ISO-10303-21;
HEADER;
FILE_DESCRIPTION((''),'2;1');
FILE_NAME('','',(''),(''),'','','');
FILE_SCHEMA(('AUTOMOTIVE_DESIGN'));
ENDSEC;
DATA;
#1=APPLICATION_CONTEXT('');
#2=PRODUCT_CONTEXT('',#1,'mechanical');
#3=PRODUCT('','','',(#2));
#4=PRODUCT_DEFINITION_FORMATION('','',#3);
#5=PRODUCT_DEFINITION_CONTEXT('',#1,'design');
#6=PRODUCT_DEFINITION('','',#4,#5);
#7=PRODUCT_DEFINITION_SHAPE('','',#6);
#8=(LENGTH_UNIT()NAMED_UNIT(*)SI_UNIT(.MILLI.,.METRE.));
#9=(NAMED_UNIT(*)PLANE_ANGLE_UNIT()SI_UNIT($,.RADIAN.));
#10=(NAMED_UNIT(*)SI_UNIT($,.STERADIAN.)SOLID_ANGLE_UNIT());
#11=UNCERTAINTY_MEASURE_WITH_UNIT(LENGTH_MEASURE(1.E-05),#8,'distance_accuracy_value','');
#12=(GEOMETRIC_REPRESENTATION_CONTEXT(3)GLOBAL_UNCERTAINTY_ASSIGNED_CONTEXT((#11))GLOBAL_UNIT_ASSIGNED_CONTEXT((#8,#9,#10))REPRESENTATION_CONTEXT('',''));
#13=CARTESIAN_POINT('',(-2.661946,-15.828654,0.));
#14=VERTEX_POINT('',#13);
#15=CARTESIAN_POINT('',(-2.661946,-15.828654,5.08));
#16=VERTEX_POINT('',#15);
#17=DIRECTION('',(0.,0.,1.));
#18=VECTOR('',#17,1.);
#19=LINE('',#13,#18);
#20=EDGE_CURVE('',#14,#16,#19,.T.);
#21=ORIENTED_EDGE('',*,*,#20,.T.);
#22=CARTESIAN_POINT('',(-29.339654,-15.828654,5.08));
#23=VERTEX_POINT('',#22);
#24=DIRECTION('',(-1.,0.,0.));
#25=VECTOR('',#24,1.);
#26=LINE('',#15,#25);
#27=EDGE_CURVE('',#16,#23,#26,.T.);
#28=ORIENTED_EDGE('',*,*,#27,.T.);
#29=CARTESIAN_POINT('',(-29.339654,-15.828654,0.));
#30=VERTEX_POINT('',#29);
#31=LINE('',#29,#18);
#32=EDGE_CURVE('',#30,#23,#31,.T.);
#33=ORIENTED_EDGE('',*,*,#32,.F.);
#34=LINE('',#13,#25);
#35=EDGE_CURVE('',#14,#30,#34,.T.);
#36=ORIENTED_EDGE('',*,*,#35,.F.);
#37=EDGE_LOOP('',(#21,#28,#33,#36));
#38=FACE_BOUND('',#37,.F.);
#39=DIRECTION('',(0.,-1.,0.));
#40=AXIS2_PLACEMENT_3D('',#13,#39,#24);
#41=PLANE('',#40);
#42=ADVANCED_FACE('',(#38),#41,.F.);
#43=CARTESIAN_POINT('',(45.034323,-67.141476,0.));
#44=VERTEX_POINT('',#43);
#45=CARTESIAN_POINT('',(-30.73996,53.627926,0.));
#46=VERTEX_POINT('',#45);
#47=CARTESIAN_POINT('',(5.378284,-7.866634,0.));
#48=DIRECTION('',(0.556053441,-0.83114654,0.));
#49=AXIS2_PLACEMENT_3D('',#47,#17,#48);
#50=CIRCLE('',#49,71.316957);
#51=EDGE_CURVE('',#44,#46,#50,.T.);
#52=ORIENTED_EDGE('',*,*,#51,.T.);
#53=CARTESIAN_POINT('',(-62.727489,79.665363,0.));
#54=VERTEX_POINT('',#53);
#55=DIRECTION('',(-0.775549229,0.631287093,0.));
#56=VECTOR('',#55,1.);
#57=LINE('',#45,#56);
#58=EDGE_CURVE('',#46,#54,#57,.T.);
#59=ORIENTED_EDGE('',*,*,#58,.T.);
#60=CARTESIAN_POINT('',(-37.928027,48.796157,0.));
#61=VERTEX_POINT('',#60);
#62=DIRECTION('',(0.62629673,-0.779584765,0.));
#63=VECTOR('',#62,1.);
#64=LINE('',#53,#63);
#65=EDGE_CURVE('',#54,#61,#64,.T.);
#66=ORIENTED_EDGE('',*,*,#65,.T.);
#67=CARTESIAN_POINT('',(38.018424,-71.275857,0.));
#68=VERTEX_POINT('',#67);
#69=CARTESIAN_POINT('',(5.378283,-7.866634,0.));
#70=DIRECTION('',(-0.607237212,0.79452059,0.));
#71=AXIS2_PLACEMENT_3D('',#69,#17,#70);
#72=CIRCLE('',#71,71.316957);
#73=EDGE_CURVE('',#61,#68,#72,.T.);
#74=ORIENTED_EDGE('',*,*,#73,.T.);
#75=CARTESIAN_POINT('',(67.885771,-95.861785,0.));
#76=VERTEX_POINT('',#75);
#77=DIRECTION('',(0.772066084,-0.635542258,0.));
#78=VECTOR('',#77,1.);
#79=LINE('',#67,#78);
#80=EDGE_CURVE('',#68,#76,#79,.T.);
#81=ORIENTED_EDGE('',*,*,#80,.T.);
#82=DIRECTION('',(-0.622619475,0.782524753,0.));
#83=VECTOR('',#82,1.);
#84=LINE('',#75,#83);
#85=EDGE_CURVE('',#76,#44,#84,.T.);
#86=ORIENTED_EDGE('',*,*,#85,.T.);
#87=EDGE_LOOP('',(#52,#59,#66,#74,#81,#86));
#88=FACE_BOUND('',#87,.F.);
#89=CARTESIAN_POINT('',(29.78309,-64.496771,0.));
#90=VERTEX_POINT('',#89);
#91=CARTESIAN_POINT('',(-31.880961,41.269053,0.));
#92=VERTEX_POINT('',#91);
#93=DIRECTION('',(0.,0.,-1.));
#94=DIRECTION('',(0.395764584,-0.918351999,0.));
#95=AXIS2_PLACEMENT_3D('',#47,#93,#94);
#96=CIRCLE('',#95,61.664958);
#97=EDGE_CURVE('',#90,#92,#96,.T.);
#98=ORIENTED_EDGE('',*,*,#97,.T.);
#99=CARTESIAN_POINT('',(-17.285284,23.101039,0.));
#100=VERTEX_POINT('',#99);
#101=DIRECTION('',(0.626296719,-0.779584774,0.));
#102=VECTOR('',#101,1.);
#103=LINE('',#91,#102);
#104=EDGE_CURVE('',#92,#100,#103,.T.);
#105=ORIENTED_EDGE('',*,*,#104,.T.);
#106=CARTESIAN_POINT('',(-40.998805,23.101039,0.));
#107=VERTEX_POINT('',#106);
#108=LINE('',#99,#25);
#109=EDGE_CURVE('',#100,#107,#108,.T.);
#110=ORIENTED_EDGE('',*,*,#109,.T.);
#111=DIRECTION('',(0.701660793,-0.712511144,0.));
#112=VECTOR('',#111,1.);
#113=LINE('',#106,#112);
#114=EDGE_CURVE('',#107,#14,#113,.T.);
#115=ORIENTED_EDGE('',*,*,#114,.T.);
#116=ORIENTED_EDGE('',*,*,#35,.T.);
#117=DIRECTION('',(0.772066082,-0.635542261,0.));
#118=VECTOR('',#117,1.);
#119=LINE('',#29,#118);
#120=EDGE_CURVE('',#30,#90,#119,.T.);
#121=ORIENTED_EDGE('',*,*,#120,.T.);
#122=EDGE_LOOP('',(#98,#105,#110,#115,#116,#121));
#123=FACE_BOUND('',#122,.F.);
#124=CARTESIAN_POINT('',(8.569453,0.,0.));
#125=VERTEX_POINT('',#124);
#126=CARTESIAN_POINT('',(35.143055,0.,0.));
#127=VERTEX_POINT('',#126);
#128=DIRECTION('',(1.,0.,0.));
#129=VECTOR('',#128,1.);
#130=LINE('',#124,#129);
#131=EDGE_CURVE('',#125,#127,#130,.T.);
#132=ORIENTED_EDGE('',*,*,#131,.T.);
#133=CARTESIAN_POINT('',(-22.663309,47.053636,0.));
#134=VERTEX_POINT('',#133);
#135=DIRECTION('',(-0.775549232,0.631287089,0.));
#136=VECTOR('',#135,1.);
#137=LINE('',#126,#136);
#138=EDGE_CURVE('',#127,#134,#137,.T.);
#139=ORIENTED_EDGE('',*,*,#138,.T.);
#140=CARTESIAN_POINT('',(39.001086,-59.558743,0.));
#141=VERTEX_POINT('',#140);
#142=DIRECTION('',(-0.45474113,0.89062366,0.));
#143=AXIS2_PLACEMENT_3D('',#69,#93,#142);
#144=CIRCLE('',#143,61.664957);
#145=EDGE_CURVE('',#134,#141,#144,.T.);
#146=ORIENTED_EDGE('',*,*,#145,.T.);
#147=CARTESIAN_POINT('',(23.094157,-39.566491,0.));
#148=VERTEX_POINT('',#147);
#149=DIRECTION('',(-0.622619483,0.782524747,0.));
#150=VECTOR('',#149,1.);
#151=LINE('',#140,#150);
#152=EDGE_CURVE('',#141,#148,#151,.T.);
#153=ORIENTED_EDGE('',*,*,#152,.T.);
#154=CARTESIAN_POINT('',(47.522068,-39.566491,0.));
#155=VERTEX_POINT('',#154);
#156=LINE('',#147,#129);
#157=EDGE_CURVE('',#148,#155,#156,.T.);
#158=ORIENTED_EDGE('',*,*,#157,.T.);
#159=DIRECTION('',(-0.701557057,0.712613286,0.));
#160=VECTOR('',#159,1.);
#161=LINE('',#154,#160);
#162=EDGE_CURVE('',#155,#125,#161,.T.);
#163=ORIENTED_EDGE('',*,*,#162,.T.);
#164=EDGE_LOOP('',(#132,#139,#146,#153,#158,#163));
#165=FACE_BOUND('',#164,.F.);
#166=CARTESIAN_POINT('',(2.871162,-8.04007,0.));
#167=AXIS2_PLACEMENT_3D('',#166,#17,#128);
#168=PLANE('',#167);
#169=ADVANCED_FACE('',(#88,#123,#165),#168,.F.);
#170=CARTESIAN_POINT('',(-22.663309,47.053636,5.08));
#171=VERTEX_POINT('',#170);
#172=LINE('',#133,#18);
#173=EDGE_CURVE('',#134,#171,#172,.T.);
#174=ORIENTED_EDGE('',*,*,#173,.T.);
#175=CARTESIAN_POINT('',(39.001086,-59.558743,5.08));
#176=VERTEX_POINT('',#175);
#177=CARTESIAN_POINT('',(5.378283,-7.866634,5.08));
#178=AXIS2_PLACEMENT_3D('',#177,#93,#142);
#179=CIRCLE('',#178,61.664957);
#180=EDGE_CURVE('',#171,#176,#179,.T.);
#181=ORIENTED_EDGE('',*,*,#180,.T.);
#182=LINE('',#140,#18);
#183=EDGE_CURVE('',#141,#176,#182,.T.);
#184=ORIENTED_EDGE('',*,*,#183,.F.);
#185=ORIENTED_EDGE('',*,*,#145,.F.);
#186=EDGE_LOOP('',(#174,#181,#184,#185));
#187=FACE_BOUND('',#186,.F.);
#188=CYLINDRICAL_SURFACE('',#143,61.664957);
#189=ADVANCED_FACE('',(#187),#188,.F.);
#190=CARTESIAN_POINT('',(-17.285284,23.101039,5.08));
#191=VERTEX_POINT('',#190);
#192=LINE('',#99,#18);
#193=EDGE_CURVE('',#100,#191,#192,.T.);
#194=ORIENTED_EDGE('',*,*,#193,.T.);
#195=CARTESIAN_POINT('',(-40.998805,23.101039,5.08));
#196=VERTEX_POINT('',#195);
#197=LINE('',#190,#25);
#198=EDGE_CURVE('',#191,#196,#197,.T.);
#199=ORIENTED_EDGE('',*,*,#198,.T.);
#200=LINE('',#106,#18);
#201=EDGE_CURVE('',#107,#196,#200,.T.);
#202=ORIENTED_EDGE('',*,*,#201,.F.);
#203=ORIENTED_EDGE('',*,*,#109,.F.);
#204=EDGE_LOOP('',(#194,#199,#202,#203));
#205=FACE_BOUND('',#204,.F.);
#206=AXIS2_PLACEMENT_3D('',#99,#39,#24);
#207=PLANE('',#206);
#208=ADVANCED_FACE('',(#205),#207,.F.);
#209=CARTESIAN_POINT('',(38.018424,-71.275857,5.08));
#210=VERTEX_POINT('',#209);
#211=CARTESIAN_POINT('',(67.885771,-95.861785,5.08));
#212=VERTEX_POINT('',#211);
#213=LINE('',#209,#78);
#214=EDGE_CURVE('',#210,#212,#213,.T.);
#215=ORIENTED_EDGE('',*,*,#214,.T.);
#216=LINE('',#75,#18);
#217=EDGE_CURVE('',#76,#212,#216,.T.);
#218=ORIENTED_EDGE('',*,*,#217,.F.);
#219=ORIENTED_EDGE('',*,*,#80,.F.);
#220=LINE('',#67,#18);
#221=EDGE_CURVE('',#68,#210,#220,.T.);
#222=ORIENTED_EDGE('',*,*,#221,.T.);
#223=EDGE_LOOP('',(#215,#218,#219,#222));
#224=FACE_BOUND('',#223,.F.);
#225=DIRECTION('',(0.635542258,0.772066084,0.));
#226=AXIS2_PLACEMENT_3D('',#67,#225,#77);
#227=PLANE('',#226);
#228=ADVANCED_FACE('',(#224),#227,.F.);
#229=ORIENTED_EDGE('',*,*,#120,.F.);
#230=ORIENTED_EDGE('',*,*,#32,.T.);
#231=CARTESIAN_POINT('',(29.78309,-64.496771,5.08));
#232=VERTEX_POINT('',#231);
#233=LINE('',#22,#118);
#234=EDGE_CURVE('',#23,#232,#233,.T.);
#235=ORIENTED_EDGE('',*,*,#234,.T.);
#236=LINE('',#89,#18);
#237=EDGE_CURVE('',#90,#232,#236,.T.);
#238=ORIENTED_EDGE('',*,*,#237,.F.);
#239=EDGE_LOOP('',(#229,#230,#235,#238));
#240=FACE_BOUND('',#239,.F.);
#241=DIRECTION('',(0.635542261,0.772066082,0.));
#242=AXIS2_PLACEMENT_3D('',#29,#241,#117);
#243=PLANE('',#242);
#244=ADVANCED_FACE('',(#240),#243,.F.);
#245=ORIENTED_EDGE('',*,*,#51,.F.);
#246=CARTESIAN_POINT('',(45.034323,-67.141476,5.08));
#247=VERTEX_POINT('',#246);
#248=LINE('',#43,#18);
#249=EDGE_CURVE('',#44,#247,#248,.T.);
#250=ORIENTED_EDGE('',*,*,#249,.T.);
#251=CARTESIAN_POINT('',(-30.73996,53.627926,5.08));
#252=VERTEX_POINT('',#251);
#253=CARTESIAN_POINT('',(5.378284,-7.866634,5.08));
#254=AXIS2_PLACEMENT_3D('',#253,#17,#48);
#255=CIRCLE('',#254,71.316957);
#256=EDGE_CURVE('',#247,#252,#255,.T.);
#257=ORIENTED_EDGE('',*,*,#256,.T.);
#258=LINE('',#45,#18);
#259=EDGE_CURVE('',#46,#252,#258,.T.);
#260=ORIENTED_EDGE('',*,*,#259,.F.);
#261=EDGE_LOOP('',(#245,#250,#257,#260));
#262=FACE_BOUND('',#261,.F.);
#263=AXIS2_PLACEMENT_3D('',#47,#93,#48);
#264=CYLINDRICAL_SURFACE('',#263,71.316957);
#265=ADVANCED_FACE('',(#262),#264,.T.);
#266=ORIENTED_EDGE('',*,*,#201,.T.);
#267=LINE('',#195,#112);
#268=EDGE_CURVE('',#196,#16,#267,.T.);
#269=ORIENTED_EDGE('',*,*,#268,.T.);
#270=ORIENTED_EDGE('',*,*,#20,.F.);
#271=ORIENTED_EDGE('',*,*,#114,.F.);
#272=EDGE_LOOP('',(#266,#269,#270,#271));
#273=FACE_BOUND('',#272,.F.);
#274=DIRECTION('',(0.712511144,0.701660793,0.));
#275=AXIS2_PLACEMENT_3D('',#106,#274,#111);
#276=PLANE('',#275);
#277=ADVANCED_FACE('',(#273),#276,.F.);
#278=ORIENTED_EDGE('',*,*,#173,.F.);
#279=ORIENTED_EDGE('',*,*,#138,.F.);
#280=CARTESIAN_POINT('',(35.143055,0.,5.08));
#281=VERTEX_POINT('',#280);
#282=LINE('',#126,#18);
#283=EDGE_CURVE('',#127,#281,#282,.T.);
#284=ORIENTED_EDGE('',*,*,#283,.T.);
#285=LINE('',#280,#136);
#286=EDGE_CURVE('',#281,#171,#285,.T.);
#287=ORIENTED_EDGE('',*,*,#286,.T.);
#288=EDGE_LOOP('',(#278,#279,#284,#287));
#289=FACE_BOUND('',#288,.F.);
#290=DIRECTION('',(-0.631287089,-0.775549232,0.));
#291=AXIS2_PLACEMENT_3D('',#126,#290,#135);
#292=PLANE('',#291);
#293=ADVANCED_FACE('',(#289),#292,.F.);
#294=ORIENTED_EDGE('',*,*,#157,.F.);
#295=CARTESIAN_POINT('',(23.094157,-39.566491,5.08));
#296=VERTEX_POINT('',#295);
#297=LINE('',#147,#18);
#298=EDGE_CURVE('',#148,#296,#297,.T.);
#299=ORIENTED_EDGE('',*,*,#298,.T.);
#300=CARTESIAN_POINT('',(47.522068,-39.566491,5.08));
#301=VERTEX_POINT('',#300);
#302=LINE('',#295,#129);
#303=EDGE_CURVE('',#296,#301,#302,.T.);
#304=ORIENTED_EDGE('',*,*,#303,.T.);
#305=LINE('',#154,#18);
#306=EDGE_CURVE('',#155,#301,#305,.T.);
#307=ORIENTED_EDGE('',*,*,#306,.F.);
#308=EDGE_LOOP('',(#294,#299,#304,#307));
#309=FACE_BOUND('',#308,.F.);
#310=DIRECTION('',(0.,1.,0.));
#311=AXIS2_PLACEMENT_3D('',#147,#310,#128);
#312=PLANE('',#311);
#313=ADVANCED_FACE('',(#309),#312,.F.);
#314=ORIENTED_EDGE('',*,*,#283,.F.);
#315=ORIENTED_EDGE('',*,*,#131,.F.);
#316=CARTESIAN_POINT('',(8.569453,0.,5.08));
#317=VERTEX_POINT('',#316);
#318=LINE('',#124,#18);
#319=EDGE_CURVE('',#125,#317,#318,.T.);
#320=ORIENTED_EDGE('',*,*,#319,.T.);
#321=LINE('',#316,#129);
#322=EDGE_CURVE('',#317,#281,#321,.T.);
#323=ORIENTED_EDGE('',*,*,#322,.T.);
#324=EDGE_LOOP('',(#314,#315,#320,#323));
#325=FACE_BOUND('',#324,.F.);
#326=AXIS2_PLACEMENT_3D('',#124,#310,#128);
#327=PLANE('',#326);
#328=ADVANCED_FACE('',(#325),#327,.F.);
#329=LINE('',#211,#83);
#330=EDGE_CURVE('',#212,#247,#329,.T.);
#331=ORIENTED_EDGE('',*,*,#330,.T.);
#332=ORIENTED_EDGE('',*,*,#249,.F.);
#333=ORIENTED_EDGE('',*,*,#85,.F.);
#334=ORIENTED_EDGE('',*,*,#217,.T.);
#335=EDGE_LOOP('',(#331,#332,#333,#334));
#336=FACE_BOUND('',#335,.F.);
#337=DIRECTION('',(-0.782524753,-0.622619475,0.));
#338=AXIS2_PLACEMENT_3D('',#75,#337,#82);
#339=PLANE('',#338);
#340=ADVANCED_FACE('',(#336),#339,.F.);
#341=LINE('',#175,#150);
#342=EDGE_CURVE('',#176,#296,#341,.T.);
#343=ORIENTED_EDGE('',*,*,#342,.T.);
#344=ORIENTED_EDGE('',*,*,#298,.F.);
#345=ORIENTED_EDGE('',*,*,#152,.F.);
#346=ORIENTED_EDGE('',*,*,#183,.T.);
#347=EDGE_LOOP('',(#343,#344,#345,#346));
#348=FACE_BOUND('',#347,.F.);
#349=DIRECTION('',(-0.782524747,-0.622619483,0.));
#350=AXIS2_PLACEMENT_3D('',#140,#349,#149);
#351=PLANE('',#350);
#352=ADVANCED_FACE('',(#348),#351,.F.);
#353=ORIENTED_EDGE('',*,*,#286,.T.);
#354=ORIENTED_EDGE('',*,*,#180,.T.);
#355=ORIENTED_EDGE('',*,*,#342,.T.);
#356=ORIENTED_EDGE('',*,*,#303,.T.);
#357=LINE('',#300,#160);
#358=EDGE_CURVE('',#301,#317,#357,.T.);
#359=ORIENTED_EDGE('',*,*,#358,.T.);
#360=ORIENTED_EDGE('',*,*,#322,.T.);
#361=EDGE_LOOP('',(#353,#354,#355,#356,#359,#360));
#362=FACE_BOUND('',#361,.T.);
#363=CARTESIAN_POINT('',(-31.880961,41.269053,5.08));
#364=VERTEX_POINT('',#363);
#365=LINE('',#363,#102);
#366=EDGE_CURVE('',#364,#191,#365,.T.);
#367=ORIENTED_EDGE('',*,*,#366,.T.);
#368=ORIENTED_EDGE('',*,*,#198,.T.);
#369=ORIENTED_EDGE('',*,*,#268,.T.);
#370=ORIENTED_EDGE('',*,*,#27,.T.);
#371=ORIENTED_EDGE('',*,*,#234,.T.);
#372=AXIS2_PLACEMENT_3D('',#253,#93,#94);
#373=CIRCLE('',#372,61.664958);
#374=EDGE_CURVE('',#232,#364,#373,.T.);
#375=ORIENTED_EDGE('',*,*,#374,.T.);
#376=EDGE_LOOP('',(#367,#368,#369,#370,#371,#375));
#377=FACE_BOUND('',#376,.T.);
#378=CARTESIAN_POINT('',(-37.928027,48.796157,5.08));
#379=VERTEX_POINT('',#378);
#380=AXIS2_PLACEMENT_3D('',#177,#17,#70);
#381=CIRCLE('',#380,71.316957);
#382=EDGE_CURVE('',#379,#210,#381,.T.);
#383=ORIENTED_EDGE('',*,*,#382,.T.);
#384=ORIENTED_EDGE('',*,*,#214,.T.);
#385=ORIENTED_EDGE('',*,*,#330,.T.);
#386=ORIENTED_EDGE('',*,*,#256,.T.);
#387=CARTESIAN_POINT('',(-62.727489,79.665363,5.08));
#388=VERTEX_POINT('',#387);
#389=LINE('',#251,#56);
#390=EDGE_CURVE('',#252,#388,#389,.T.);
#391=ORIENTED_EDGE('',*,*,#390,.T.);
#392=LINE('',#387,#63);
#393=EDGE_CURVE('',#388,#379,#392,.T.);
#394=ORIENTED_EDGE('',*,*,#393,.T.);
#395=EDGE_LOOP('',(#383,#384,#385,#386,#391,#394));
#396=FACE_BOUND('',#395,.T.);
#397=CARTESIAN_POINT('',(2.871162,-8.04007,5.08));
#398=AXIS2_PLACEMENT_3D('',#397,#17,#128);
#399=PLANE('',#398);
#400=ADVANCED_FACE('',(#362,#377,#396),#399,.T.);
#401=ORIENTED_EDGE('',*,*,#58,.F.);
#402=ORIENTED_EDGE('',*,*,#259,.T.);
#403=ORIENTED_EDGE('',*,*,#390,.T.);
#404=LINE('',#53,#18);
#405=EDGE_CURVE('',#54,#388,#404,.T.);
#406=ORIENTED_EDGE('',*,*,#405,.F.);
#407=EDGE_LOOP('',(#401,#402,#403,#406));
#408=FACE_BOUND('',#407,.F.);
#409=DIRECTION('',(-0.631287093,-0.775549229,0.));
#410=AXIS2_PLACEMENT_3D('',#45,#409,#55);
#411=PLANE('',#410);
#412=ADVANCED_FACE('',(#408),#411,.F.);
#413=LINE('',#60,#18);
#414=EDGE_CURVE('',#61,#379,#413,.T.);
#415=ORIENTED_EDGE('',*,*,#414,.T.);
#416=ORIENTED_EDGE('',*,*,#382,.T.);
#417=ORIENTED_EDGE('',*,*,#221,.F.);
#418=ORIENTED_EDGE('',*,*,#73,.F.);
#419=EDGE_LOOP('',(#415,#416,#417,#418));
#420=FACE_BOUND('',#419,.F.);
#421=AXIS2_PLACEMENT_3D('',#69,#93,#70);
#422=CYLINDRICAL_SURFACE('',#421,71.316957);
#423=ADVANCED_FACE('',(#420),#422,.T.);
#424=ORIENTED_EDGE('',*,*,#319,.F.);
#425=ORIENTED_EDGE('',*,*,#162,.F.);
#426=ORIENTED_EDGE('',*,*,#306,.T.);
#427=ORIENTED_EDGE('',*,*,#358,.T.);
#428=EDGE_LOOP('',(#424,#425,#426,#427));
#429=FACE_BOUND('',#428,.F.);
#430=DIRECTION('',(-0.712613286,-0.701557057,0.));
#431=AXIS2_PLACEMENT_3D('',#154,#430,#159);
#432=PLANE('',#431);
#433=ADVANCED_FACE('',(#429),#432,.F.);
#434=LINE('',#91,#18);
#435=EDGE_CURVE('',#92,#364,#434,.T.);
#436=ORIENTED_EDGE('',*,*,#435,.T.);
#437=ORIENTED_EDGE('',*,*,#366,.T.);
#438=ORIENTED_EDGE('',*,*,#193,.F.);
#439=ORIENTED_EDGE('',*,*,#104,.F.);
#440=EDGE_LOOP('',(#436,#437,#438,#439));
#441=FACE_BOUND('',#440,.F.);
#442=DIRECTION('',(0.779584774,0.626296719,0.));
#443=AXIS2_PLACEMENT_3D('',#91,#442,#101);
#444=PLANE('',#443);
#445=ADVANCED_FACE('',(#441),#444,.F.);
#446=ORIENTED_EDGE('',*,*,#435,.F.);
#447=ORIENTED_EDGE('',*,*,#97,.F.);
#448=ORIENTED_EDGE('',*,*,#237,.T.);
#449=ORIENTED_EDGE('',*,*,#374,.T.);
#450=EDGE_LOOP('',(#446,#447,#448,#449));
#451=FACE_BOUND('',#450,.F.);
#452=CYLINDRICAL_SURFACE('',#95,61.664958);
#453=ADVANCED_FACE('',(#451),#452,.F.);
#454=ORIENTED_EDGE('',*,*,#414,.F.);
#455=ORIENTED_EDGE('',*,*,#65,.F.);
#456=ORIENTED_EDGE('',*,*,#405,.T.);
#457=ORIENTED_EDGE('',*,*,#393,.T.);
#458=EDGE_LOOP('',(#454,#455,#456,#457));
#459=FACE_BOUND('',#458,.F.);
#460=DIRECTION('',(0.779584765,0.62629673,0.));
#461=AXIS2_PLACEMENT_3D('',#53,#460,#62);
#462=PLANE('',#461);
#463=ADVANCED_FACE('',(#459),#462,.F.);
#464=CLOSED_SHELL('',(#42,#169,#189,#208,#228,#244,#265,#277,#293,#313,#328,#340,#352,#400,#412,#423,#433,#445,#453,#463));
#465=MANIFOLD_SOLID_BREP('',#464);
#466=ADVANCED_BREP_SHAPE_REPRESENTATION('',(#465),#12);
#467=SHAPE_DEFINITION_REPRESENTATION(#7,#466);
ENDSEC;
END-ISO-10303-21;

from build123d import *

# Parameters (mm, degrees)
F1_DEPTH = 5.08


with BuildPart() as f1:
    # F0 (on Top) → F1 (new body)
    with BuildSketch(Plane.XY):
        Polygon((-30.73996, 53.627926), (-62.727489, 79.665363), (-37.928027, 48.796157), (-31.880961, 41.269053), (-17.285284, 23.101039), (-40.998805, 23.101039), (-2.661946, -15.828654), (-29.339654, -15.828654), (29.78309, -64.496771), (38.018424, -71.275857), (67.885771, -95.861785), (45.034323, -67.141476), (39.001086, -59.558743), (23.094157, -39.566491), (47.522068, -39.566491), (8.569453, 0), (35.143055, 0), (-22.663309, 47.053636), align=None)
        with BuildLine():
            Line((-31.880961, 41.269053), (-37.928027, 48.796157))
            ThreePointArc((-37.928027, 48.796157), (-54.894131, -45.989389), (38.018424, -71.275857))
            Line((38.018424, -71.275857), (29.78309, -64.496771))
            ThreePointArc((29.78309, -64.496771), (-47.893768, -38.925538), (-31.880961, 41.269053))
        make_face()
        with BuildLine():
            ThreePointArc((45.034323, -67.141476), (65.788888, 30.03676), (-30.73996, 53.627926))
            Line((-30.73996, 53.627926), (-22.663309, 47.053636))
            ThreePointArc((-22.663309, 47.053636), (58.757468, 23.007783), (39.001086, -59.558743))
            Line((39.001086, -59.558743), (45.034323, -67.141476))
        make_face()
    extrude(amount=F1_DEPTH)


solid = f1.part
